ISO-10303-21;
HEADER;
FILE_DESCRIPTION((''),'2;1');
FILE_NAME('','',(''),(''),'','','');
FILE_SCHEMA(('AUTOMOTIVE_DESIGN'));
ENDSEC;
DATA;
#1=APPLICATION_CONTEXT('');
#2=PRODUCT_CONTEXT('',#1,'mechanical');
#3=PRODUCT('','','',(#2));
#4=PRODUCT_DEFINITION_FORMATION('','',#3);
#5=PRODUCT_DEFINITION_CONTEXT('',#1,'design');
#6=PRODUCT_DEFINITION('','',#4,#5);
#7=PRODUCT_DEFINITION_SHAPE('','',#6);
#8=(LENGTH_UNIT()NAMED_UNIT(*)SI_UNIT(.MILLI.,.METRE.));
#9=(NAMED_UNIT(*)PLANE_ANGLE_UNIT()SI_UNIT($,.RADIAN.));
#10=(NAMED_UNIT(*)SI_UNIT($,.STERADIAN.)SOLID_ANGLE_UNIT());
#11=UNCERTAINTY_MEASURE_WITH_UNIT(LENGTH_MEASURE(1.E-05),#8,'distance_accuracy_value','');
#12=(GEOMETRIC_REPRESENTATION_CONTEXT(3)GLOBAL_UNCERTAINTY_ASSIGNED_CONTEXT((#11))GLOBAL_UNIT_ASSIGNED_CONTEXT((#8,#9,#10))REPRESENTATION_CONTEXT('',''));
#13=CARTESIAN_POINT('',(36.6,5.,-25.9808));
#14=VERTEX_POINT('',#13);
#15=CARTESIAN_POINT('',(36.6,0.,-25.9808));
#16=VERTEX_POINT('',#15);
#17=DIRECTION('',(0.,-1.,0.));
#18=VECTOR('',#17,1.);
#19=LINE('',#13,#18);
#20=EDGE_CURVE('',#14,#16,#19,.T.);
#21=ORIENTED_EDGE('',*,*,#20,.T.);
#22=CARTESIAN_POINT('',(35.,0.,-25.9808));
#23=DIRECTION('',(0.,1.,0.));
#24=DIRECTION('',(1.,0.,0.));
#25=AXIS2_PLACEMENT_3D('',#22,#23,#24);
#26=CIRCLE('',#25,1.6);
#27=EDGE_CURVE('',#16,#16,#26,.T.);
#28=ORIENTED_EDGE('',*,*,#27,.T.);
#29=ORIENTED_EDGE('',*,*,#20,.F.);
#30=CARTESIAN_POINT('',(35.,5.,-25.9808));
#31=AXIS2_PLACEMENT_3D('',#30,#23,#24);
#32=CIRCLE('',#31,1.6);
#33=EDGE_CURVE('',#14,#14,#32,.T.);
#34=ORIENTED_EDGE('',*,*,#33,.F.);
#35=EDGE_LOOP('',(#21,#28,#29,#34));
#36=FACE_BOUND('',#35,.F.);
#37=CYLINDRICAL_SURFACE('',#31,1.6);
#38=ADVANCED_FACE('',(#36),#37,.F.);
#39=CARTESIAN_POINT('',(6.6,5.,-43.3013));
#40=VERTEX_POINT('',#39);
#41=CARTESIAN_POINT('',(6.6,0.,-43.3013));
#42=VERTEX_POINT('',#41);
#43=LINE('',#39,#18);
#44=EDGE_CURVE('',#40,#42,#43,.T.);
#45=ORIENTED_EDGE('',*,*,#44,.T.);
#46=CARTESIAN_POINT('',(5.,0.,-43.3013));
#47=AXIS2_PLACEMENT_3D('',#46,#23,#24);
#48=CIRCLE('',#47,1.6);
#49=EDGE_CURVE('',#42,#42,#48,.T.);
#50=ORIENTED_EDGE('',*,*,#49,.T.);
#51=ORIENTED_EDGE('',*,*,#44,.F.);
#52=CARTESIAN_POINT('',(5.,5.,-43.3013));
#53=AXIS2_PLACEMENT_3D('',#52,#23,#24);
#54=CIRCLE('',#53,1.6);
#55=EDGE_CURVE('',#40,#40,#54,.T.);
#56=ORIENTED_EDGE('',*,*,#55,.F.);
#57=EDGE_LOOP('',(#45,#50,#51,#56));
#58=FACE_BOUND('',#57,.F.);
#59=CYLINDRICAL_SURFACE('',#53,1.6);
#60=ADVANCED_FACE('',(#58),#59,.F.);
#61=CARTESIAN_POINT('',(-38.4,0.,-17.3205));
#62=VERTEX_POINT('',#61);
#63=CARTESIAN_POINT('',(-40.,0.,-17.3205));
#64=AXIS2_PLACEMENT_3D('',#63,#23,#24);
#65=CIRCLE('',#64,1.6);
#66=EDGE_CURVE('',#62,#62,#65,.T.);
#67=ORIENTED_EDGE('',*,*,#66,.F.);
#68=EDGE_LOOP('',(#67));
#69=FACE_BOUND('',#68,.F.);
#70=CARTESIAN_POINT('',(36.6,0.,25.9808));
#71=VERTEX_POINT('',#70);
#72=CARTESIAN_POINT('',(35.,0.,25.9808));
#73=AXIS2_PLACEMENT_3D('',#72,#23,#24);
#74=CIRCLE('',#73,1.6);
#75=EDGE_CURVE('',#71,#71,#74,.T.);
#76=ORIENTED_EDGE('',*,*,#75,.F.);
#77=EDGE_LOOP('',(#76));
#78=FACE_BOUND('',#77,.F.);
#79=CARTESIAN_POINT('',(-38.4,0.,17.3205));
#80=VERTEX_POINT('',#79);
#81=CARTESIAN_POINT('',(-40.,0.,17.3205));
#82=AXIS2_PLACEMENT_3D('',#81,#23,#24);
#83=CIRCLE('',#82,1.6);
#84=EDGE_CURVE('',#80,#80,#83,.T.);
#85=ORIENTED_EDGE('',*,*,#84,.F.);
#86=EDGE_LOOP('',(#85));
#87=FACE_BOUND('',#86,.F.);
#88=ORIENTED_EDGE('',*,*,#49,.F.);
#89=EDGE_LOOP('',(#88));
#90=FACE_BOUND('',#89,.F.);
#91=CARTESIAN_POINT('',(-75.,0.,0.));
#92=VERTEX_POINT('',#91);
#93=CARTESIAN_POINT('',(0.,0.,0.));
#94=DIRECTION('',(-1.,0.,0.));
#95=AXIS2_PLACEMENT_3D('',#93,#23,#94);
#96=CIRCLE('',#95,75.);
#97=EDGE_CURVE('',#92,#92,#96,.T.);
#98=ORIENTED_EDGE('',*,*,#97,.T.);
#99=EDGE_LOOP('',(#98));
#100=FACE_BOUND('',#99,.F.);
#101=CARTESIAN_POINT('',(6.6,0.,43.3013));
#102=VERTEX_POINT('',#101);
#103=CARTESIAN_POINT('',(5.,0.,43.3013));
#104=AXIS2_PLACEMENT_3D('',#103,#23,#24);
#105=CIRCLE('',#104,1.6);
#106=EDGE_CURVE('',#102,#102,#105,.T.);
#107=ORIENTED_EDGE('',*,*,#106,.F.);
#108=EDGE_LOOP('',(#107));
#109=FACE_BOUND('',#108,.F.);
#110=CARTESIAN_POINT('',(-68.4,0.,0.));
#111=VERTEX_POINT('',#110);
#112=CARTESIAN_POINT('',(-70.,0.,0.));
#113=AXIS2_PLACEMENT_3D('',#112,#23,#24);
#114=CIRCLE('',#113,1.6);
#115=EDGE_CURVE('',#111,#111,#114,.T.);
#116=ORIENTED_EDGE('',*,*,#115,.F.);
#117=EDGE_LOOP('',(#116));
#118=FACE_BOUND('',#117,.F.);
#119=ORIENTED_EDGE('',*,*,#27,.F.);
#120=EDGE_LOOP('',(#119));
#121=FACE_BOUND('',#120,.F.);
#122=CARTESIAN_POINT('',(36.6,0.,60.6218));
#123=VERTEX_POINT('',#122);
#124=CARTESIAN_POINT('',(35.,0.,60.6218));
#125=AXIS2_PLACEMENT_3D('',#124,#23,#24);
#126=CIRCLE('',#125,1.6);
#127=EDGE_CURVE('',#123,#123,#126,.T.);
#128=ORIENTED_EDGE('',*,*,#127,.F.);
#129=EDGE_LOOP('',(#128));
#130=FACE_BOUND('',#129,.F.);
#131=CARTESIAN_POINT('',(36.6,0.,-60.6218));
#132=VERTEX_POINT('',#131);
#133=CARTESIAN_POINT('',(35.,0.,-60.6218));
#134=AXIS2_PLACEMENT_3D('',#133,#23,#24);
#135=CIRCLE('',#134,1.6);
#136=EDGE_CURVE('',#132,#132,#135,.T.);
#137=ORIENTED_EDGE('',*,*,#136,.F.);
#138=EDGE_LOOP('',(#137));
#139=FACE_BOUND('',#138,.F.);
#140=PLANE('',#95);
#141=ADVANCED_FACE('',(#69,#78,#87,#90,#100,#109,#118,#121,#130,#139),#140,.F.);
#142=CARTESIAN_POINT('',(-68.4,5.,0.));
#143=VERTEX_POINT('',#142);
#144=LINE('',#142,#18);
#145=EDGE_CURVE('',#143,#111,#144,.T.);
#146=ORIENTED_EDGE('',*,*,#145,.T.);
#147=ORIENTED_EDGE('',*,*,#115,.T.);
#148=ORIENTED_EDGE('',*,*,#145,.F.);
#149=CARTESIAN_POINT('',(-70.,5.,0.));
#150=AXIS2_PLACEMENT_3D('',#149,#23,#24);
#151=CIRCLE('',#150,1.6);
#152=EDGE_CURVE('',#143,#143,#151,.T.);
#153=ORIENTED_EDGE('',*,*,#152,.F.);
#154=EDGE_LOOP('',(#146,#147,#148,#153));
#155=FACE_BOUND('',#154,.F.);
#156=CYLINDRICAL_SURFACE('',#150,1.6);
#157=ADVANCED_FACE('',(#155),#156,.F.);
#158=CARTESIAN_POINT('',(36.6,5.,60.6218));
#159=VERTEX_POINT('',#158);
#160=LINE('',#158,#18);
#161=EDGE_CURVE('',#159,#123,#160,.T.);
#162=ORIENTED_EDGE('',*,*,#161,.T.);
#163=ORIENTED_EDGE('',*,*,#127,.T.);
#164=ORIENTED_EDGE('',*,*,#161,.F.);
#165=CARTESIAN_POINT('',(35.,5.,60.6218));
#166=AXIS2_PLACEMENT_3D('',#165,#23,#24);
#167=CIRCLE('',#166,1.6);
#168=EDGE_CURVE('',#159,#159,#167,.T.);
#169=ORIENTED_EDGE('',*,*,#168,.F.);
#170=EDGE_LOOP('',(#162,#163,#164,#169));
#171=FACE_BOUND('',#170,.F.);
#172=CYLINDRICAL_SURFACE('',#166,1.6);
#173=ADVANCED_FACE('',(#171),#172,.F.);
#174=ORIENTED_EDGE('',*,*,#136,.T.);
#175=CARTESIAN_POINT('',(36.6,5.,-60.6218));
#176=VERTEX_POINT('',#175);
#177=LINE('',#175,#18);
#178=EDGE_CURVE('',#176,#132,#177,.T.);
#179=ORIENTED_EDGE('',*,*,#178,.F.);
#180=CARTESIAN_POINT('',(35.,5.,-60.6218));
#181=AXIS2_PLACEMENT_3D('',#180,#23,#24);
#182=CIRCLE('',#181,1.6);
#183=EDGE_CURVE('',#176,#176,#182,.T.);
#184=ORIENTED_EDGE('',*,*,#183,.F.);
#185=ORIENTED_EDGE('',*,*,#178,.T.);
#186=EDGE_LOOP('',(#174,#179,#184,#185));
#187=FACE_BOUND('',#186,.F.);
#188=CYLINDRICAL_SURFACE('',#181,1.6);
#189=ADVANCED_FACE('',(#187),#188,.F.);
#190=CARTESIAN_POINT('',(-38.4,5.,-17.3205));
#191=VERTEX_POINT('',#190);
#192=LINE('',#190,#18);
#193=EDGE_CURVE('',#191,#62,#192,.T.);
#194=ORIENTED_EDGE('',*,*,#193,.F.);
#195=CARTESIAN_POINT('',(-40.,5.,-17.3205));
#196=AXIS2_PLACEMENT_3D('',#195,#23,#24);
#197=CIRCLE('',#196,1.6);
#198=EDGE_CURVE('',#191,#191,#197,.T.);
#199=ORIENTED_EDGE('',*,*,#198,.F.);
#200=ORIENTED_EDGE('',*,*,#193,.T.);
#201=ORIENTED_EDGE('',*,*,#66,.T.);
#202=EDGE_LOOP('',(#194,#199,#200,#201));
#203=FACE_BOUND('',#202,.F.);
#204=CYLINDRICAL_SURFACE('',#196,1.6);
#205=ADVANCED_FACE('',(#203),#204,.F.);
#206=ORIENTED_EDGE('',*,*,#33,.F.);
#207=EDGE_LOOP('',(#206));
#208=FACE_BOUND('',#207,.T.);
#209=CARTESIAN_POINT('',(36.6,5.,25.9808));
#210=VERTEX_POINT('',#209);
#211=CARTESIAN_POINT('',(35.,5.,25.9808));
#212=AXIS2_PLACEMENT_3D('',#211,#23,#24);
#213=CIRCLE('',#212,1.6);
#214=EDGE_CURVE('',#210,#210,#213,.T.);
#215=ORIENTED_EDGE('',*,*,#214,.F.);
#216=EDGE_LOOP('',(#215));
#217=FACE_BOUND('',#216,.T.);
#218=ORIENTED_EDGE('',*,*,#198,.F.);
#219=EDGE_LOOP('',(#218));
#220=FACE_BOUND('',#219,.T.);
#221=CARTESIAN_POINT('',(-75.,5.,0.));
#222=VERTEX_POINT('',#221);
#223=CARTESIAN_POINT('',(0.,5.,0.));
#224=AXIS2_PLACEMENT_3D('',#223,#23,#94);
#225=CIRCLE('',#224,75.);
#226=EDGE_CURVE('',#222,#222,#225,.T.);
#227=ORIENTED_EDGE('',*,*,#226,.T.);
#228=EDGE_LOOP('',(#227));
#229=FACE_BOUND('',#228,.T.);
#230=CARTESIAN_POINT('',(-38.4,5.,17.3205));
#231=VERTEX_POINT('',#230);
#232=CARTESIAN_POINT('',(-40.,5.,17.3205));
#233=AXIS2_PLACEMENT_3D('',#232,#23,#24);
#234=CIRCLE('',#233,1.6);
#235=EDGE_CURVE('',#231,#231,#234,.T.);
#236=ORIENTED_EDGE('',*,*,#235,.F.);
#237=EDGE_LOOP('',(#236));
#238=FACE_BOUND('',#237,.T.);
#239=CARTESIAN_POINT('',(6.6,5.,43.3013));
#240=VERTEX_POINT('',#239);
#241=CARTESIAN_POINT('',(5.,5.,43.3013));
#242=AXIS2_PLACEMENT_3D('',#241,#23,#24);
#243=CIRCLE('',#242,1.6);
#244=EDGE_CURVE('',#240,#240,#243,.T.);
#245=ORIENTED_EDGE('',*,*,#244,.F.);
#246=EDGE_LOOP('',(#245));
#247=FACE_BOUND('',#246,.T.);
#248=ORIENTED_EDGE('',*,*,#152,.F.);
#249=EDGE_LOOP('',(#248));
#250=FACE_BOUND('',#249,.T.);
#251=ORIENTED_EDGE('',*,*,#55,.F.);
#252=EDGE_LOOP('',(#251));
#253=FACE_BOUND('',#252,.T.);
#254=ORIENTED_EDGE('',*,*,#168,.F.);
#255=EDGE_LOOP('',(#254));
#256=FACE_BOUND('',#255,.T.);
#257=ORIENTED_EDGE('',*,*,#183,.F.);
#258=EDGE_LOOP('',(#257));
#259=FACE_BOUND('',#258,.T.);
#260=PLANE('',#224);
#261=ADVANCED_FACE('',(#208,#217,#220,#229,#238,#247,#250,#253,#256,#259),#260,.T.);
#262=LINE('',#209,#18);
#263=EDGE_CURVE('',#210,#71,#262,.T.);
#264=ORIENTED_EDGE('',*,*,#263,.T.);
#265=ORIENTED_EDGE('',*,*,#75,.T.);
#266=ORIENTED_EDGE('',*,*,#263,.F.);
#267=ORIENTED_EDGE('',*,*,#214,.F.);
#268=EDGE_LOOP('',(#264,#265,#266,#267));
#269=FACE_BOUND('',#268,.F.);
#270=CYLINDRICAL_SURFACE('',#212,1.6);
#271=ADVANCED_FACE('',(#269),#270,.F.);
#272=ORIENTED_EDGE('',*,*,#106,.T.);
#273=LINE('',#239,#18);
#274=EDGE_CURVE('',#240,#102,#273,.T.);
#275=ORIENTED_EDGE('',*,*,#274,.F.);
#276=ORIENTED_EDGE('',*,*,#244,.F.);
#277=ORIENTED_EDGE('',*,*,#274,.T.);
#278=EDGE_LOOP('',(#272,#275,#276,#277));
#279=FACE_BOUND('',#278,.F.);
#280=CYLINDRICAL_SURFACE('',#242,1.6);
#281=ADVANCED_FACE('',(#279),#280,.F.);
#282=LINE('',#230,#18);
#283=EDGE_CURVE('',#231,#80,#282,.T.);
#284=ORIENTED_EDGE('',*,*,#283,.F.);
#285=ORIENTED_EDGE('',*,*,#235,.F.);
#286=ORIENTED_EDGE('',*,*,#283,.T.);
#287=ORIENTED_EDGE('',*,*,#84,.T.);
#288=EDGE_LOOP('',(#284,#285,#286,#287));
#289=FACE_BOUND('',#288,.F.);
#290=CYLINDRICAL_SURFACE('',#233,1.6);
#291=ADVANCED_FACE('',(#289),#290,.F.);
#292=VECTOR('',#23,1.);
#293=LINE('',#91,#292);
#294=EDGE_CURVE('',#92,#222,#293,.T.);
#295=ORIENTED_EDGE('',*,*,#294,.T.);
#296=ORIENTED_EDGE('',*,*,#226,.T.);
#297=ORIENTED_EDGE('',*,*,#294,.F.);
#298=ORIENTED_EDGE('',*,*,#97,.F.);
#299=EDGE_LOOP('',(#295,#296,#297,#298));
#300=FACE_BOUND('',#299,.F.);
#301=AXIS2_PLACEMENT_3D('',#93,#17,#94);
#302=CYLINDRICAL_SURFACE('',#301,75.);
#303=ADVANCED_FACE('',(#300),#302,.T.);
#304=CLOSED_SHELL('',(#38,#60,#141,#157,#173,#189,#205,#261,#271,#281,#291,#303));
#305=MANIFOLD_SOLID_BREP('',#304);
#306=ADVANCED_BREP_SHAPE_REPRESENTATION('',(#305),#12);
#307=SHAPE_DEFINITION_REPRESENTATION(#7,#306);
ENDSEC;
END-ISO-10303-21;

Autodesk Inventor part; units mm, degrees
ref_plane "YZ Plane" through (0, 0, 0) normal (1, 0, 0) x (0, 1, 0)
ref_plane "XZ Plane" through (0, 0, 0) normal (0, 1, 0) x (-1, 0, 0)
ref_plane "XY Plane" through (0, 0, 0) normal (0, 0, 1) x (1, 0, 0)
sketch "Sketch1" plane through (0, 0, 0) normal (0, 1, 0) x (-1, 0, 0)
  circle A0 centre (0, 0) radius 75
  dimension "d0" = 150
extrude "Extrusion1" add sketch "Sketch1" along normal blind 5
sketch "Sketch2" plane through (0, 5, 0) normal (0, 1, 0) x (1, 0, 0)
  circle A0 centre (0, 0) radius 75 projected
  circle A1 centre (0, 0) radius 50 construction
  circle A2 centre (-50, 0) radius 20 construction
  circle A3 centre (-70, 0) radius 1.6
  circle A4 centre (-40, -17.3205) radius 1.6
  circle A5 centre (-40, 17.3205) radius 1.6
  circle A6 centre (25, -43.3013) radius 20 construction
  circle A7 centre (35, -60.6218) radius 1.6
  circle A8 centre (35, -25.9808) radius 1.6
  circle A9 centre (5, -43.3013) radius 1.6
  circle A10 centre (25, 43.3013) radius 20 construction
  circle A11 centre (35, 60.6218) radius 1.6
  circle A12 centre (5, 43.3013) radius 1.6
  circle A13 centre (35, 25.9808) radius 1.6
  dimension "d3" = 100
  dimension "d4" = 40
  dimension "d5" = 3.2
  dimension "d8" = 360
  dimension "d12" = 360
extrude "Extrusion2" cut sketch "Sketch2" against normal through all contours A3 | A4 | A5 | A7 | A8 | A9 | A11 | A12 | A13
properties part number "base_frame_3"
